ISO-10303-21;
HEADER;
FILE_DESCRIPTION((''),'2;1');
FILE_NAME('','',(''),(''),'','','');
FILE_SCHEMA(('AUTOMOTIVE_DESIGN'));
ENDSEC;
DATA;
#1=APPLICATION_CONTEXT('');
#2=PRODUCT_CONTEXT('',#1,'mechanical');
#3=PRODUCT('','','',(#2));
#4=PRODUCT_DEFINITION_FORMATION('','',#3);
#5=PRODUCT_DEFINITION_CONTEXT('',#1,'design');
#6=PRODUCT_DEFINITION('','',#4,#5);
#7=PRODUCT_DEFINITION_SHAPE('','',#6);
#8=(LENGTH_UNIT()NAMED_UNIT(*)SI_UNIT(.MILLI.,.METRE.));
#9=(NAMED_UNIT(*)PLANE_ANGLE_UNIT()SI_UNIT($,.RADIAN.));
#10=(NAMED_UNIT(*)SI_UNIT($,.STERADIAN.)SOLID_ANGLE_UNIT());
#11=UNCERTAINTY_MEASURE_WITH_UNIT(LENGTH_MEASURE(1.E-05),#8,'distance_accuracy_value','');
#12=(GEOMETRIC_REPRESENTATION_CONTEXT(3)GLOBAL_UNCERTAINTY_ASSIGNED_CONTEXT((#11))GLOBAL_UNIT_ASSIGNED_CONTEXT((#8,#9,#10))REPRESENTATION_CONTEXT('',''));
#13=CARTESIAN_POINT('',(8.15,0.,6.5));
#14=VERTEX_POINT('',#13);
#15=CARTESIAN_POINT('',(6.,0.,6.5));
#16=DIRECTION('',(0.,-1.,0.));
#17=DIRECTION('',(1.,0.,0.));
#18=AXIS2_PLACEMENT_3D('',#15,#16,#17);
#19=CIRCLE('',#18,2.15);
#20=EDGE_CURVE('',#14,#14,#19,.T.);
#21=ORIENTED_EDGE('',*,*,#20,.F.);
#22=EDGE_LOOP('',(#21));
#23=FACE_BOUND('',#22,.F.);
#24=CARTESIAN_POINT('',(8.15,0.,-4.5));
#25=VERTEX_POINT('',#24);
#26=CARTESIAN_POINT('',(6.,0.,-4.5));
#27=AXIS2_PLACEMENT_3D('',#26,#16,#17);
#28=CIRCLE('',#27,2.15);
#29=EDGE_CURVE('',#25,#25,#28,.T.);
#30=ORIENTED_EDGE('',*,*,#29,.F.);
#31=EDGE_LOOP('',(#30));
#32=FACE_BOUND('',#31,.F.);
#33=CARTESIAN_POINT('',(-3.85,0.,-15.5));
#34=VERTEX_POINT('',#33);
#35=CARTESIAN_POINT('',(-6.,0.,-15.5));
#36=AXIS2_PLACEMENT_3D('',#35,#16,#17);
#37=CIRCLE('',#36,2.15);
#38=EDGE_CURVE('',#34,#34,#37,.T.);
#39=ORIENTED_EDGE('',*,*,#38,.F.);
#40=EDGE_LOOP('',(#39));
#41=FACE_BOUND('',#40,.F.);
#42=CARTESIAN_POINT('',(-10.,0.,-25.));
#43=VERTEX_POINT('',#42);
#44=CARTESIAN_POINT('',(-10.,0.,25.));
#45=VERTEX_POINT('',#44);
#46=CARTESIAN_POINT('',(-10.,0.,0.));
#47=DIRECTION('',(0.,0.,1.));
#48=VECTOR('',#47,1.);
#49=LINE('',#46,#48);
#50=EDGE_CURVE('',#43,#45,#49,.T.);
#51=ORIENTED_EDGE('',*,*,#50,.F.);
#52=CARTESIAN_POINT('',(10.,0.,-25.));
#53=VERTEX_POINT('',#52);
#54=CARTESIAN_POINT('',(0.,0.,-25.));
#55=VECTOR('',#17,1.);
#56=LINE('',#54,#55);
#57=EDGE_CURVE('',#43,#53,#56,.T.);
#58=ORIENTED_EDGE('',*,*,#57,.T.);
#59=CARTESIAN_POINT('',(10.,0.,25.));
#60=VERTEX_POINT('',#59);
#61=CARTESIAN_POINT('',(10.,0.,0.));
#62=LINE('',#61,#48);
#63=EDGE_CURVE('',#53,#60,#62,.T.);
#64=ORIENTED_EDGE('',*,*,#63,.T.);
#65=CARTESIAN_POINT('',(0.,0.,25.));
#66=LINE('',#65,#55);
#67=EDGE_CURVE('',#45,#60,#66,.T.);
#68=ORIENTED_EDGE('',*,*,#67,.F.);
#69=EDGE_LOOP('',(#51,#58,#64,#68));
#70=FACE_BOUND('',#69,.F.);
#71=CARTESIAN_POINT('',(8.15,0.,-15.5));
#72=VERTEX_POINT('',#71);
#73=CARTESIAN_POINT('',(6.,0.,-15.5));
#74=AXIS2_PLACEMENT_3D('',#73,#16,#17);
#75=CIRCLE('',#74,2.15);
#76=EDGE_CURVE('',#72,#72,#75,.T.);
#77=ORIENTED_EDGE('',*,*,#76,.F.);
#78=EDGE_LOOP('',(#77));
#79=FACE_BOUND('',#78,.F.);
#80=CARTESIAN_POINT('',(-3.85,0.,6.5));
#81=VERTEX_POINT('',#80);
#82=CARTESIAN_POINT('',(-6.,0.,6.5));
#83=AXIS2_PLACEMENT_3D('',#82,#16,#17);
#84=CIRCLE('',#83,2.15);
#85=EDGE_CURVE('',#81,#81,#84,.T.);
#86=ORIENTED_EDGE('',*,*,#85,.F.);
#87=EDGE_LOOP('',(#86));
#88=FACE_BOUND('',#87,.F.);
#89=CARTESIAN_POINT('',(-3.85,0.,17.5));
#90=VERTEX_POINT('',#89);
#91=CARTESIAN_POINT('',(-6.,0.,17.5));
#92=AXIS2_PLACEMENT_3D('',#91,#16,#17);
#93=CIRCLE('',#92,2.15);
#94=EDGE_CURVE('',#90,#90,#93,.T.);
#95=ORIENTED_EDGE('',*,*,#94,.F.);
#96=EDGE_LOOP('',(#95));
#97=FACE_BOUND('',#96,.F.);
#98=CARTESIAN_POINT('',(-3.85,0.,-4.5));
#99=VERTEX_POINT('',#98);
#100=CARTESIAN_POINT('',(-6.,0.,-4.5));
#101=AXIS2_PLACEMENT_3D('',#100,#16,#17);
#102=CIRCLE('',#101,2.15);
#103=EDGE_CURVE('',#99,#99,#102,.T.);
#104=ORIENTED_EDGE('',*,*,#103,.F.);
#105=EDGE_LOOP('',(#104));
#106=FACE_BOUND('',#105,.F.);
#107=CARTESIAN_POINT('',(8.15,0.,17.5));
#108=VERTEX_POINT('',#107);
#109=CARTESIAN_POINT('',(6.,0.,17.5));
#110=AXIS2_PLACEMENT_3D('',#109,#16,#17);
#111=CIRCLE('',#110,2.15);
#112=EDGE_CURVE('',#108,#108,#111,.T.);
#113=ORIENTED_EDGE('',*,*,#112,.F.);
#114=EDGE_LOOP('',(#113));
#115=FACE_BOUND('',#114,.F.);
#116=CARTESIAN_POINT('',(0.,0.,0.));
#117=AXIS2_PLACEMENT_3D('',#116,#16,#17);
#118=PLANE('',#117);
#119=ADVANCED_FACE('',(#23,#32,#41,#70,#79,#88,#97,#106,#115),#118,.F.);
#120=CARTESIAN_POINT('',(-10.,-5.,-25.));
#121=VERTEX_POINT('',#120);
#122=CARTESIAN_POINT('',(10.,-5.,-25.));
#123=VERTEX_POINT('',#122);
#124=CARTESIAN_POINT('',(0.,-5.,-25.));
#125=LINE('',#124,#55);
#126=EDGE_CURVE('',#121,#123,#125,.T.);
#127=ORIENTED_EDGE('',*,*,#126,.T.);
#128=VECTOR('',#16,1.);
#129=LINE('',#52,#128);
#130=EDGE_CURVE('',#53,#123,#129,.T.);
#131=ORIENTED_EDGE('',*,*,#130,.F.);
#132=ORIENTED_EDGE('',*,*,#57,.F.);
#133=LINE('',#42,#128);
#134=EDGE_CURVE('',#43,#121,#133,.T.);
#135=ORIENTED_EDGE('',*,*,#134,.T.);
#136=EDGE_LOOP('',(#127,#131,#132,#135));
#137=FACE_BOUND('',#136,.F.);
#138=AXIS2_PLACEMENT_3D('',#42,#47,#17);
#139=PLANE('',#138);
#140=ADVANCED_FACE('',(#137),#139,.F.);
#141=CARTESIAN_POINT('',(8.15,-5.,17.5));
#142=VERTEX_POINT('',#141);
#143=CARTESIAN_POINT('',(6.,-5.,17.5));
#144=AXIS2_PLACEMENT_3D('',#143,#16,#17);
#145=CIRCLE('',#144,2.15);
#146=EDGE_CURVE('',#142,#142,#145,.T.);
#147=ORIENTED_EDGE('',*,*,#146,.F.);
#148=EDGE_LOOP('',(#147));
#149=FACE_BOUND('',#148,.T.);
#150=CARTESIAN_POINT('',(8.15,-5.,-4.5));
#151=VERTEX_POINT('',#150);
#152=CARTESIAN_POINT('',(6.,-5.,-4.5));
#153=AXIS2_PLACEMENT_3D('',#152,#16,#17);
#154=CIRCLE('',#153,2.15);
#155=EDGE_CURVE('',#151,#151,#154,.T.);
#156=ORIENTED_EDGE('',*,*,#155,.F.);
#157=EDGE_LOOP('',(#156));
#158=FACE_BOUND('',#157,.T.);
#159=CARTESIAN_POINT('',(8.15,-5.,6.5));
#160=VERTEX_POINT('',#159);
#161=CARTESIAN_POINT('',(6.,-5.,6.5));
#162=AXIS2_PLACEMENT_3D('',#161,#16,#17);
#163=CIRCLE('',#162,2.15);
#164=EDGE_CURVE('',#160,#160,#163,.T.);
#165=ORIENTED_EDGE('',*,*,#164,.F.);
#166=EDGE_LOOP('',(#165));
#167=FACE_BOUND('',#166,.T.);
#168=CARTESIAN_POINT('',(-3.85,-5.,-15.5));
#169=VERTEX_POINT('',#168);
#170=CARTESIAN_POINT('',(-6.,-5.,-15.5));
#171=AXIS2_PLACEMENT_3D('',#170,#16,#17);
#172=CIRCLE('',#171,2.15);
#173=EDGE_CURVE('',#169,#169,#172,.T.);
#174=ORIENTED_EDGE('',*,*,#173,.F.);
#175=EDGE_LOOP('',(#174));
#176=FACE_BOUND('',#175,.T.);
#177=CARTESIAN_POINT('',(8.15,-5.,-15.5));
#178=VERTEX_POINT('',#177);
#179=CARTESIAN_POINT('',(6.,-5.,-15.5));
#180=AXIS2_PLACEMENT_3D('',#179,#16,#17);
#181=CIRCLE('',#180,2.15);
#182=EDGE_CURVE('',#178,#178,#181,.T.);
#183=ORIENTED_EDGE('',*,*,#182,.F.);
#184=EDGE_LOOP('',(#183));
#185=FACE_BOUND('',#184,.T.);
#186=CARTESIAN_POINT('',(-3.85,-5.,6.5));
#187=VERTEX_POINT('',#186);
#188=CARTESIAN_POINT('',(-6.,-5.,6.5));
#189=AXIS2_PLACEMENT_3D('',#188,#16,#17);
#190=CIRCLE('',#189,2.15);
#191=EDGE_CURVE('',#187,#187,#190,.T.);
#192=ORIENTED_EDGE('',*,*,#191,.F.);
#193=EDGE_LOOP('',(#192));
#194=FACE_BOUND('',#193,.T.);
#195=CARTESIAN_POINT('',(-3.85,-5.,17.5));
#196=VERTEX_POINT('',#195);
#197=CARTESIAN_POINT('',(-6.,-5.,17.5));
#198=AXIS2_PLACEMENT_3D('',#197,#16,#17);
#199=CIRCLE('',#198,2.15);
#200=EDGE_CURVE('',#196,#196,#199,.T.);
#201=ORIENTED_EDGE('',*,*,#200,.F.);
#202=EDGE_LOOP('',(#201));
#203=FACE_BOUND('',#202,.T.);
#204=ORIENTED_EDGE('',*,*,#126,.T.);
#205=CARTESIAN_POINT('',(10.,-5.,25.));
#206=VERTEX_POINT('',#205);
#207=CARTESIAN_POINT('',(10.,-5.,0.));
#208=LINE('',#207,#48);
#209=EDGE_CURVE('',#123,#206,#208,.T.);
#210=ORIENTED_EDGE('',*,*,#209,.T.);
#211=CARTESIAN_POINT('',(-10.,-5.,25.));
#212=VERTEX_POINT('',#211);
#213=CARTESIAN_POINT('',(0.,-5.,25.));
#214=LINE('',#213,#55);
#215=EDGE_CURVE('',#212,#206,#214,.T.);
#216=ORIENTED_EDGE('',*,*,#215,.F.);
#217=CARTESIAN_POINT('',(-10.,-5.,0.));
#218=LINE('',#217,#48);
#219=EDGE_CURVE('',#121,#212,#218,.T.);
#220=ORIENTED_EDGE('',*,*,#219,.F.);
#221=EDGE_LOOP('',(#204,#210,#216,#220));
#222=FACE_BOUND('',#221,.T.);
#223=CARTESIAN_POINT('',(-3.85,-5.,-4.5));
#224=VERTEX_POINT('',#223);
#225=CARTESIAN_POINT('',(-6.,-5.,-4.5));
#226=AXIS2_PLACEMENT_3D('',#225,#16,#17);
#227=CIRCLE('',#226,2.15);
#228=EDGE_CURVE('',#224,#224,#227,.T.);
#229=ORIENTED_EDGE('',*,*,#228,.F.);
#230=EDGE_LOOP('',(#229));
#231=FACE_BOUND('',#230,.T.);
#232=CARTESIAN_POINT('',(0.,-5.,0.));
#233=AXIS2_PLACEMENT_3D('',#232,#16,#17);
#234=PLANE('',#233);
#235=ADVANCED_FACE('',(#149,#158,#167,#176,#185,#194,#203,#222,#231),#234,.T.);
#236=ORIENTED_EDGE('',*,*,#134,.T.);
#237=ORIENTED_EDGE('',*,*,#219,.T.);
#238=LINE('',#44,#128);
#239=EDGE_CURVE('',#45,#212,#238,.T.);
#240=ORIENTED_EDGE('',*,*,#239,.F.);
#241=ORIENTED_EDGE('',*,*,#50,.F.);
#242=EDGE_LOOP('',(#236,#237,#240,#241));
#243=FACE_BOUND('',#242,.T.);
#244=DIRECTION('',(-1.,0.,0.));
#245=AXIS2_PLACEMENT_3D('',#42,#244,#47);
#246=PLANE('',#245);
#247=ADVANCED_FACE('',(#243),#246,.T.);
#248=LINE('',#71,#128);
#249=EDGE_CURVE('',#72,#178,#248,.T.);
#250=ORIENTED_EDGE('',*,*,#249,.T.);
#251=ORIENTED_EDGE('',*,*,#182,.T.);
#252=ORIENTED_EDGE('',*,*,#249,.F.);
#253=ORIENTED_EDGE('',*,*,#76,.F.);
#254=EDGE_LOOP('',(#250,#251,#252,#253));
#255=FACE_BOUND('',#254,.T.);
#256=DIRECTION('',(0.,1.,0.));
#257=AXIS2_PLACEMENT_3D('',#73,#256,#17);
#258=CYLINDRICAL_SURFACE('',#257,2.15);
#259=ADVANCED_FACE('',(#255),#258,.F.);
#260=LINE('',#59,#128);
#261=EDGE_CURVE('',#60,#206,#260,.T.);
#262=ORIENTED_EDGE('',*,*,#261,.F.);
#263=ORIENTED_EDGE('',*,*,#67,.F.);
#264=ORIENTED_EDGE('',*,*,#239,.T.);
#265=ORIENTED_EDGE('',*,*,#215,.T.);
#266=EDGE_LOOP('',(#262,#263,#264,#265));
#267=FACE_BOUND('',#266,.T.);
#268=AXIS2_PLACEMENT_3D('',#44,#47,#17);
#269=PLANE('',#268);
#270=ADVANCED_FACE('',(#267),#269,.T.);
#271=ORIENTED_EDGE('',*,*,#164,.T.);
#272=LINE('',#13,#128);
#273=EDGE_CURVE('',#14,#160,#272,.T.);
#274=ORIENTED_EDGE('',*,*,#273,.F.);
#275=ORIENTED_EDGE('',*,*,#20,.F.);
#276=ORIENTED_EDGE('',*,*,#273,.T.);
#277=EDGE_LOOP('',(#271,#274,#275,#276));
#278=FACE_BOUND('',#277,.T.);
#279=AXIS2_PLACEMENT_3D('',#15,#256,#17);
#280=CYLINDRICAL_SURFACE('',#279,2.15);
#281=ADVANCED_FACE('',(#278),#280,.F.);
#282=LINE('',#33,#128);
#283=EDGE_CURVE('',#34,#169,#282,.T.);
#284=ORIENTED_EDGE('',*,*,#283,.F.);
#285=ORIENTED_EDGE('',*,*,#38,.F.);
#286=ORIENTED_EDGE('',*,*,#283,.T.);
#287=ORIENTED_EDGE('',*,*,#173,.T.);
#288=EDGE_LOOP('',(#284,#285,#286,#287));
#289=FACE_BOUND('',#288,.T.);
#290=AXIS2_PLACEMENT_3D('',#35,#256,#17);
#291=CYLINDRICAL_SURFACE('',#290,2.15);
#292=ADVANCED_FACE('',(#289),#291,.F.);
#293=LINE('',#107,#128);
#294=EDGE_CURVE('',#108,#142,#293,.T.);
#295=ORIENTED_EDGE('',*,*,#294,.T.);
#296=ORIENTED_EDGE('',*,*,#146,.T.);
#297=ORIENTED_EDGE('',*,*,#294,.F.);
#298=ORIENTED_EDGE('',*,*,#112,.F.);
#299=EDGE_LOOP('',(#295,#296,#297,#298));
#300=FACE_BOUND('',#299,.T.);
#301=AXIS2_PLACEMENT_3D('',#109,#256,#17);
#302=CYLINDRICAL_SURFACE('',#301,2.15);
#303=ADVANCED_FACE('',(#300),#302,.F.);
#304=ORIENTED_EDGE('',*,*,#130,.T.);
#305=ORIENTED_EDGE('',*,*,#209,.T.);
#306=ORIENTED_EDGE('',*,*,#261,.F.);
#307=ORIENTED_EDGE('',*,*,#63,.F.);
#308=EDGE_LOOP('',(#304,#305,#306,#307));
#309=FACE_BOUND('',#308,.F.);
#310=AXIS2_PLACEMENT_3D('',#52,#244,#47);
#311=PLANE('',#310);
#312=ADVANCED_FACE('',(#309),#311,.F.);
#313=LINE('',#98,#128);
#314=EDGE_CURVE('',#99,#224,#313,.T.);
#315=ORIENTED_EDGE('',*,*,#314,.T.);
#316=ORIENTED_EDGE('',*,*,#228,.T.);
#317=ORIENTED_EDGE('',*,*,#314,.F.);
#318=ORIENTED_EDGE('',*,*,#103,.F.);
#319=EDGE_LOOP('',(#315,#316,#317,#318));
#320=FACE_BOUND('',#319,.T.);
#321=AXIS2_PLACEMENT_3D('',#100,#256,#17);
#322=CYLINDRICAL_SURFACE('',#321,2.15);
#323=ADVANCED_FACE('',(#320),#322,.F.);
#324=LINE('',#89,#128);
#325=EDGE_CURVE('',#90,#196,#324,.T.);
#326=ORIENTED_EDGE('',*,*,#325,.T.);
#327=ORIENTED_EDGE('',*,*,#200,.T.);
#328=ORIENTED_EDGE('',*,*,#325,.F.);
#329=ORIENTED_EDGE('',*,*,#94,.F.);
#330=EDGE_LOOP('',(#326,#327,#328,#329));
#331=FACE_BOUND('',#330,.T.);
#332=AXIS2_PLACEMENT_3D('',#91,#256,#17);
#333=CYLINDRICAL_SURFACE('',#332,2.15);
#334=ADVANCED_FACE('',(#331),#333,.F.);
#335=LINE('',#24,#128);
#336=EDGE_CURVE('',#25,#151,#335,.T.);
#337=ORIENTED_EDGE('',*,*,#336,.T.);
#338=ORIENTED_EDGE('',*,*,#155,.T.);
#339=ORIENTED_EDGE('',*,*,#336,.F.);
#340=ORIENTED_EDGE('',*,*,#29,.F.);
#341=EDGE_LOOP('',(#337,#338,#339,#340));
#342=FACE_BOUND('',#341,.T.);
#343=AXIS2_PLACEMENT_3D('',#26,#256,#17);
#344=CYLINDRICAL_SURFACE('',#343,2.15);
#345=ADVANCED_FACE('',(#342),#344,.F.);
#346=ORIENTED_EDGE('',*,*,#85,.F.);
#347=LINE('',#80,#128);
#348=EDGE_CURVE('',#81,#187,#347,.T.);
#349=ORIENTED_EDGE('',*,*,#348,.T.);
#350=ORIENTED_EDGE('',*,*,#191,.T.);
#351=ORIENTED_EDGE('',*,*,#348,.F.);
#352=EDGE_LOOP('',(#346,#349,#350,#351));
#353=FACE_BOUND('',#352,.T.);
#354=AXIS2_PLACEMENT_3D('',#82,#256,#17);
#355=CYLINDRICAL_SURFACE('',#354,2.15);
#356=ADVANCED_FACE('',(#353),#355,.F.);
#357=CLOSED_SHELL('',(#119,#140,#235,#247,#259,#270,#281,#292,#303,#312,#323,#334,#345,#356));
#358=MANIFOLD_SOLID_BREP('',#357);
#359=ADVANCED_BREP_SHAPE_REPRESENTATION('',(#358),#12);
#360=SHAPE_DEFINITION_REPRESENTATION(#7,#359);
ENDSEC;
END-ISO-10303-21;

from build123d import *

# Parameters (mm, degrees)
F0_W     = 20
F0_H     = 50
F0_R     = 2.15
F1_DEPTH = 5


with BuildPart() as f1:
    # F0 (on Front) → F1 (new body)
    with BuildSketch(Plane.XZ):
        Rectangle(F0_W, F0_H)
        with Locations((-6, -15.5)):
            Circle(F0_R, mode=Mode.SUBTRACT)
        with Locations((-6, -4.5)):
            Circle(F0_R, mode=Mode.SUBTRACT)
        with Locations((6, -15.5)):
            Circle(F0_R, mode=Mode.SUBTRACT)
        with Locations((6, -4.5)):
            Circle(F0_R, mode=Mode.SUBTRACT)
        with Locations((-6, 6.5)):
            Circle(F0_R, mode=Mode.SUBTRACT)
        with Locations((-6, 17.5)):
            Circle(F0_R, mode=Mode.SUBTRACT)
        with Locations((6, 6.5)):
            Circle(F0_R, mode=Mode.SUBTRACT)
        with Locations((6, 17.5)):
            Circle(F0_R, mode=Mode.SUBTRACT)
    extrude(amount=F1_DEPTH)


solid = f1.part
